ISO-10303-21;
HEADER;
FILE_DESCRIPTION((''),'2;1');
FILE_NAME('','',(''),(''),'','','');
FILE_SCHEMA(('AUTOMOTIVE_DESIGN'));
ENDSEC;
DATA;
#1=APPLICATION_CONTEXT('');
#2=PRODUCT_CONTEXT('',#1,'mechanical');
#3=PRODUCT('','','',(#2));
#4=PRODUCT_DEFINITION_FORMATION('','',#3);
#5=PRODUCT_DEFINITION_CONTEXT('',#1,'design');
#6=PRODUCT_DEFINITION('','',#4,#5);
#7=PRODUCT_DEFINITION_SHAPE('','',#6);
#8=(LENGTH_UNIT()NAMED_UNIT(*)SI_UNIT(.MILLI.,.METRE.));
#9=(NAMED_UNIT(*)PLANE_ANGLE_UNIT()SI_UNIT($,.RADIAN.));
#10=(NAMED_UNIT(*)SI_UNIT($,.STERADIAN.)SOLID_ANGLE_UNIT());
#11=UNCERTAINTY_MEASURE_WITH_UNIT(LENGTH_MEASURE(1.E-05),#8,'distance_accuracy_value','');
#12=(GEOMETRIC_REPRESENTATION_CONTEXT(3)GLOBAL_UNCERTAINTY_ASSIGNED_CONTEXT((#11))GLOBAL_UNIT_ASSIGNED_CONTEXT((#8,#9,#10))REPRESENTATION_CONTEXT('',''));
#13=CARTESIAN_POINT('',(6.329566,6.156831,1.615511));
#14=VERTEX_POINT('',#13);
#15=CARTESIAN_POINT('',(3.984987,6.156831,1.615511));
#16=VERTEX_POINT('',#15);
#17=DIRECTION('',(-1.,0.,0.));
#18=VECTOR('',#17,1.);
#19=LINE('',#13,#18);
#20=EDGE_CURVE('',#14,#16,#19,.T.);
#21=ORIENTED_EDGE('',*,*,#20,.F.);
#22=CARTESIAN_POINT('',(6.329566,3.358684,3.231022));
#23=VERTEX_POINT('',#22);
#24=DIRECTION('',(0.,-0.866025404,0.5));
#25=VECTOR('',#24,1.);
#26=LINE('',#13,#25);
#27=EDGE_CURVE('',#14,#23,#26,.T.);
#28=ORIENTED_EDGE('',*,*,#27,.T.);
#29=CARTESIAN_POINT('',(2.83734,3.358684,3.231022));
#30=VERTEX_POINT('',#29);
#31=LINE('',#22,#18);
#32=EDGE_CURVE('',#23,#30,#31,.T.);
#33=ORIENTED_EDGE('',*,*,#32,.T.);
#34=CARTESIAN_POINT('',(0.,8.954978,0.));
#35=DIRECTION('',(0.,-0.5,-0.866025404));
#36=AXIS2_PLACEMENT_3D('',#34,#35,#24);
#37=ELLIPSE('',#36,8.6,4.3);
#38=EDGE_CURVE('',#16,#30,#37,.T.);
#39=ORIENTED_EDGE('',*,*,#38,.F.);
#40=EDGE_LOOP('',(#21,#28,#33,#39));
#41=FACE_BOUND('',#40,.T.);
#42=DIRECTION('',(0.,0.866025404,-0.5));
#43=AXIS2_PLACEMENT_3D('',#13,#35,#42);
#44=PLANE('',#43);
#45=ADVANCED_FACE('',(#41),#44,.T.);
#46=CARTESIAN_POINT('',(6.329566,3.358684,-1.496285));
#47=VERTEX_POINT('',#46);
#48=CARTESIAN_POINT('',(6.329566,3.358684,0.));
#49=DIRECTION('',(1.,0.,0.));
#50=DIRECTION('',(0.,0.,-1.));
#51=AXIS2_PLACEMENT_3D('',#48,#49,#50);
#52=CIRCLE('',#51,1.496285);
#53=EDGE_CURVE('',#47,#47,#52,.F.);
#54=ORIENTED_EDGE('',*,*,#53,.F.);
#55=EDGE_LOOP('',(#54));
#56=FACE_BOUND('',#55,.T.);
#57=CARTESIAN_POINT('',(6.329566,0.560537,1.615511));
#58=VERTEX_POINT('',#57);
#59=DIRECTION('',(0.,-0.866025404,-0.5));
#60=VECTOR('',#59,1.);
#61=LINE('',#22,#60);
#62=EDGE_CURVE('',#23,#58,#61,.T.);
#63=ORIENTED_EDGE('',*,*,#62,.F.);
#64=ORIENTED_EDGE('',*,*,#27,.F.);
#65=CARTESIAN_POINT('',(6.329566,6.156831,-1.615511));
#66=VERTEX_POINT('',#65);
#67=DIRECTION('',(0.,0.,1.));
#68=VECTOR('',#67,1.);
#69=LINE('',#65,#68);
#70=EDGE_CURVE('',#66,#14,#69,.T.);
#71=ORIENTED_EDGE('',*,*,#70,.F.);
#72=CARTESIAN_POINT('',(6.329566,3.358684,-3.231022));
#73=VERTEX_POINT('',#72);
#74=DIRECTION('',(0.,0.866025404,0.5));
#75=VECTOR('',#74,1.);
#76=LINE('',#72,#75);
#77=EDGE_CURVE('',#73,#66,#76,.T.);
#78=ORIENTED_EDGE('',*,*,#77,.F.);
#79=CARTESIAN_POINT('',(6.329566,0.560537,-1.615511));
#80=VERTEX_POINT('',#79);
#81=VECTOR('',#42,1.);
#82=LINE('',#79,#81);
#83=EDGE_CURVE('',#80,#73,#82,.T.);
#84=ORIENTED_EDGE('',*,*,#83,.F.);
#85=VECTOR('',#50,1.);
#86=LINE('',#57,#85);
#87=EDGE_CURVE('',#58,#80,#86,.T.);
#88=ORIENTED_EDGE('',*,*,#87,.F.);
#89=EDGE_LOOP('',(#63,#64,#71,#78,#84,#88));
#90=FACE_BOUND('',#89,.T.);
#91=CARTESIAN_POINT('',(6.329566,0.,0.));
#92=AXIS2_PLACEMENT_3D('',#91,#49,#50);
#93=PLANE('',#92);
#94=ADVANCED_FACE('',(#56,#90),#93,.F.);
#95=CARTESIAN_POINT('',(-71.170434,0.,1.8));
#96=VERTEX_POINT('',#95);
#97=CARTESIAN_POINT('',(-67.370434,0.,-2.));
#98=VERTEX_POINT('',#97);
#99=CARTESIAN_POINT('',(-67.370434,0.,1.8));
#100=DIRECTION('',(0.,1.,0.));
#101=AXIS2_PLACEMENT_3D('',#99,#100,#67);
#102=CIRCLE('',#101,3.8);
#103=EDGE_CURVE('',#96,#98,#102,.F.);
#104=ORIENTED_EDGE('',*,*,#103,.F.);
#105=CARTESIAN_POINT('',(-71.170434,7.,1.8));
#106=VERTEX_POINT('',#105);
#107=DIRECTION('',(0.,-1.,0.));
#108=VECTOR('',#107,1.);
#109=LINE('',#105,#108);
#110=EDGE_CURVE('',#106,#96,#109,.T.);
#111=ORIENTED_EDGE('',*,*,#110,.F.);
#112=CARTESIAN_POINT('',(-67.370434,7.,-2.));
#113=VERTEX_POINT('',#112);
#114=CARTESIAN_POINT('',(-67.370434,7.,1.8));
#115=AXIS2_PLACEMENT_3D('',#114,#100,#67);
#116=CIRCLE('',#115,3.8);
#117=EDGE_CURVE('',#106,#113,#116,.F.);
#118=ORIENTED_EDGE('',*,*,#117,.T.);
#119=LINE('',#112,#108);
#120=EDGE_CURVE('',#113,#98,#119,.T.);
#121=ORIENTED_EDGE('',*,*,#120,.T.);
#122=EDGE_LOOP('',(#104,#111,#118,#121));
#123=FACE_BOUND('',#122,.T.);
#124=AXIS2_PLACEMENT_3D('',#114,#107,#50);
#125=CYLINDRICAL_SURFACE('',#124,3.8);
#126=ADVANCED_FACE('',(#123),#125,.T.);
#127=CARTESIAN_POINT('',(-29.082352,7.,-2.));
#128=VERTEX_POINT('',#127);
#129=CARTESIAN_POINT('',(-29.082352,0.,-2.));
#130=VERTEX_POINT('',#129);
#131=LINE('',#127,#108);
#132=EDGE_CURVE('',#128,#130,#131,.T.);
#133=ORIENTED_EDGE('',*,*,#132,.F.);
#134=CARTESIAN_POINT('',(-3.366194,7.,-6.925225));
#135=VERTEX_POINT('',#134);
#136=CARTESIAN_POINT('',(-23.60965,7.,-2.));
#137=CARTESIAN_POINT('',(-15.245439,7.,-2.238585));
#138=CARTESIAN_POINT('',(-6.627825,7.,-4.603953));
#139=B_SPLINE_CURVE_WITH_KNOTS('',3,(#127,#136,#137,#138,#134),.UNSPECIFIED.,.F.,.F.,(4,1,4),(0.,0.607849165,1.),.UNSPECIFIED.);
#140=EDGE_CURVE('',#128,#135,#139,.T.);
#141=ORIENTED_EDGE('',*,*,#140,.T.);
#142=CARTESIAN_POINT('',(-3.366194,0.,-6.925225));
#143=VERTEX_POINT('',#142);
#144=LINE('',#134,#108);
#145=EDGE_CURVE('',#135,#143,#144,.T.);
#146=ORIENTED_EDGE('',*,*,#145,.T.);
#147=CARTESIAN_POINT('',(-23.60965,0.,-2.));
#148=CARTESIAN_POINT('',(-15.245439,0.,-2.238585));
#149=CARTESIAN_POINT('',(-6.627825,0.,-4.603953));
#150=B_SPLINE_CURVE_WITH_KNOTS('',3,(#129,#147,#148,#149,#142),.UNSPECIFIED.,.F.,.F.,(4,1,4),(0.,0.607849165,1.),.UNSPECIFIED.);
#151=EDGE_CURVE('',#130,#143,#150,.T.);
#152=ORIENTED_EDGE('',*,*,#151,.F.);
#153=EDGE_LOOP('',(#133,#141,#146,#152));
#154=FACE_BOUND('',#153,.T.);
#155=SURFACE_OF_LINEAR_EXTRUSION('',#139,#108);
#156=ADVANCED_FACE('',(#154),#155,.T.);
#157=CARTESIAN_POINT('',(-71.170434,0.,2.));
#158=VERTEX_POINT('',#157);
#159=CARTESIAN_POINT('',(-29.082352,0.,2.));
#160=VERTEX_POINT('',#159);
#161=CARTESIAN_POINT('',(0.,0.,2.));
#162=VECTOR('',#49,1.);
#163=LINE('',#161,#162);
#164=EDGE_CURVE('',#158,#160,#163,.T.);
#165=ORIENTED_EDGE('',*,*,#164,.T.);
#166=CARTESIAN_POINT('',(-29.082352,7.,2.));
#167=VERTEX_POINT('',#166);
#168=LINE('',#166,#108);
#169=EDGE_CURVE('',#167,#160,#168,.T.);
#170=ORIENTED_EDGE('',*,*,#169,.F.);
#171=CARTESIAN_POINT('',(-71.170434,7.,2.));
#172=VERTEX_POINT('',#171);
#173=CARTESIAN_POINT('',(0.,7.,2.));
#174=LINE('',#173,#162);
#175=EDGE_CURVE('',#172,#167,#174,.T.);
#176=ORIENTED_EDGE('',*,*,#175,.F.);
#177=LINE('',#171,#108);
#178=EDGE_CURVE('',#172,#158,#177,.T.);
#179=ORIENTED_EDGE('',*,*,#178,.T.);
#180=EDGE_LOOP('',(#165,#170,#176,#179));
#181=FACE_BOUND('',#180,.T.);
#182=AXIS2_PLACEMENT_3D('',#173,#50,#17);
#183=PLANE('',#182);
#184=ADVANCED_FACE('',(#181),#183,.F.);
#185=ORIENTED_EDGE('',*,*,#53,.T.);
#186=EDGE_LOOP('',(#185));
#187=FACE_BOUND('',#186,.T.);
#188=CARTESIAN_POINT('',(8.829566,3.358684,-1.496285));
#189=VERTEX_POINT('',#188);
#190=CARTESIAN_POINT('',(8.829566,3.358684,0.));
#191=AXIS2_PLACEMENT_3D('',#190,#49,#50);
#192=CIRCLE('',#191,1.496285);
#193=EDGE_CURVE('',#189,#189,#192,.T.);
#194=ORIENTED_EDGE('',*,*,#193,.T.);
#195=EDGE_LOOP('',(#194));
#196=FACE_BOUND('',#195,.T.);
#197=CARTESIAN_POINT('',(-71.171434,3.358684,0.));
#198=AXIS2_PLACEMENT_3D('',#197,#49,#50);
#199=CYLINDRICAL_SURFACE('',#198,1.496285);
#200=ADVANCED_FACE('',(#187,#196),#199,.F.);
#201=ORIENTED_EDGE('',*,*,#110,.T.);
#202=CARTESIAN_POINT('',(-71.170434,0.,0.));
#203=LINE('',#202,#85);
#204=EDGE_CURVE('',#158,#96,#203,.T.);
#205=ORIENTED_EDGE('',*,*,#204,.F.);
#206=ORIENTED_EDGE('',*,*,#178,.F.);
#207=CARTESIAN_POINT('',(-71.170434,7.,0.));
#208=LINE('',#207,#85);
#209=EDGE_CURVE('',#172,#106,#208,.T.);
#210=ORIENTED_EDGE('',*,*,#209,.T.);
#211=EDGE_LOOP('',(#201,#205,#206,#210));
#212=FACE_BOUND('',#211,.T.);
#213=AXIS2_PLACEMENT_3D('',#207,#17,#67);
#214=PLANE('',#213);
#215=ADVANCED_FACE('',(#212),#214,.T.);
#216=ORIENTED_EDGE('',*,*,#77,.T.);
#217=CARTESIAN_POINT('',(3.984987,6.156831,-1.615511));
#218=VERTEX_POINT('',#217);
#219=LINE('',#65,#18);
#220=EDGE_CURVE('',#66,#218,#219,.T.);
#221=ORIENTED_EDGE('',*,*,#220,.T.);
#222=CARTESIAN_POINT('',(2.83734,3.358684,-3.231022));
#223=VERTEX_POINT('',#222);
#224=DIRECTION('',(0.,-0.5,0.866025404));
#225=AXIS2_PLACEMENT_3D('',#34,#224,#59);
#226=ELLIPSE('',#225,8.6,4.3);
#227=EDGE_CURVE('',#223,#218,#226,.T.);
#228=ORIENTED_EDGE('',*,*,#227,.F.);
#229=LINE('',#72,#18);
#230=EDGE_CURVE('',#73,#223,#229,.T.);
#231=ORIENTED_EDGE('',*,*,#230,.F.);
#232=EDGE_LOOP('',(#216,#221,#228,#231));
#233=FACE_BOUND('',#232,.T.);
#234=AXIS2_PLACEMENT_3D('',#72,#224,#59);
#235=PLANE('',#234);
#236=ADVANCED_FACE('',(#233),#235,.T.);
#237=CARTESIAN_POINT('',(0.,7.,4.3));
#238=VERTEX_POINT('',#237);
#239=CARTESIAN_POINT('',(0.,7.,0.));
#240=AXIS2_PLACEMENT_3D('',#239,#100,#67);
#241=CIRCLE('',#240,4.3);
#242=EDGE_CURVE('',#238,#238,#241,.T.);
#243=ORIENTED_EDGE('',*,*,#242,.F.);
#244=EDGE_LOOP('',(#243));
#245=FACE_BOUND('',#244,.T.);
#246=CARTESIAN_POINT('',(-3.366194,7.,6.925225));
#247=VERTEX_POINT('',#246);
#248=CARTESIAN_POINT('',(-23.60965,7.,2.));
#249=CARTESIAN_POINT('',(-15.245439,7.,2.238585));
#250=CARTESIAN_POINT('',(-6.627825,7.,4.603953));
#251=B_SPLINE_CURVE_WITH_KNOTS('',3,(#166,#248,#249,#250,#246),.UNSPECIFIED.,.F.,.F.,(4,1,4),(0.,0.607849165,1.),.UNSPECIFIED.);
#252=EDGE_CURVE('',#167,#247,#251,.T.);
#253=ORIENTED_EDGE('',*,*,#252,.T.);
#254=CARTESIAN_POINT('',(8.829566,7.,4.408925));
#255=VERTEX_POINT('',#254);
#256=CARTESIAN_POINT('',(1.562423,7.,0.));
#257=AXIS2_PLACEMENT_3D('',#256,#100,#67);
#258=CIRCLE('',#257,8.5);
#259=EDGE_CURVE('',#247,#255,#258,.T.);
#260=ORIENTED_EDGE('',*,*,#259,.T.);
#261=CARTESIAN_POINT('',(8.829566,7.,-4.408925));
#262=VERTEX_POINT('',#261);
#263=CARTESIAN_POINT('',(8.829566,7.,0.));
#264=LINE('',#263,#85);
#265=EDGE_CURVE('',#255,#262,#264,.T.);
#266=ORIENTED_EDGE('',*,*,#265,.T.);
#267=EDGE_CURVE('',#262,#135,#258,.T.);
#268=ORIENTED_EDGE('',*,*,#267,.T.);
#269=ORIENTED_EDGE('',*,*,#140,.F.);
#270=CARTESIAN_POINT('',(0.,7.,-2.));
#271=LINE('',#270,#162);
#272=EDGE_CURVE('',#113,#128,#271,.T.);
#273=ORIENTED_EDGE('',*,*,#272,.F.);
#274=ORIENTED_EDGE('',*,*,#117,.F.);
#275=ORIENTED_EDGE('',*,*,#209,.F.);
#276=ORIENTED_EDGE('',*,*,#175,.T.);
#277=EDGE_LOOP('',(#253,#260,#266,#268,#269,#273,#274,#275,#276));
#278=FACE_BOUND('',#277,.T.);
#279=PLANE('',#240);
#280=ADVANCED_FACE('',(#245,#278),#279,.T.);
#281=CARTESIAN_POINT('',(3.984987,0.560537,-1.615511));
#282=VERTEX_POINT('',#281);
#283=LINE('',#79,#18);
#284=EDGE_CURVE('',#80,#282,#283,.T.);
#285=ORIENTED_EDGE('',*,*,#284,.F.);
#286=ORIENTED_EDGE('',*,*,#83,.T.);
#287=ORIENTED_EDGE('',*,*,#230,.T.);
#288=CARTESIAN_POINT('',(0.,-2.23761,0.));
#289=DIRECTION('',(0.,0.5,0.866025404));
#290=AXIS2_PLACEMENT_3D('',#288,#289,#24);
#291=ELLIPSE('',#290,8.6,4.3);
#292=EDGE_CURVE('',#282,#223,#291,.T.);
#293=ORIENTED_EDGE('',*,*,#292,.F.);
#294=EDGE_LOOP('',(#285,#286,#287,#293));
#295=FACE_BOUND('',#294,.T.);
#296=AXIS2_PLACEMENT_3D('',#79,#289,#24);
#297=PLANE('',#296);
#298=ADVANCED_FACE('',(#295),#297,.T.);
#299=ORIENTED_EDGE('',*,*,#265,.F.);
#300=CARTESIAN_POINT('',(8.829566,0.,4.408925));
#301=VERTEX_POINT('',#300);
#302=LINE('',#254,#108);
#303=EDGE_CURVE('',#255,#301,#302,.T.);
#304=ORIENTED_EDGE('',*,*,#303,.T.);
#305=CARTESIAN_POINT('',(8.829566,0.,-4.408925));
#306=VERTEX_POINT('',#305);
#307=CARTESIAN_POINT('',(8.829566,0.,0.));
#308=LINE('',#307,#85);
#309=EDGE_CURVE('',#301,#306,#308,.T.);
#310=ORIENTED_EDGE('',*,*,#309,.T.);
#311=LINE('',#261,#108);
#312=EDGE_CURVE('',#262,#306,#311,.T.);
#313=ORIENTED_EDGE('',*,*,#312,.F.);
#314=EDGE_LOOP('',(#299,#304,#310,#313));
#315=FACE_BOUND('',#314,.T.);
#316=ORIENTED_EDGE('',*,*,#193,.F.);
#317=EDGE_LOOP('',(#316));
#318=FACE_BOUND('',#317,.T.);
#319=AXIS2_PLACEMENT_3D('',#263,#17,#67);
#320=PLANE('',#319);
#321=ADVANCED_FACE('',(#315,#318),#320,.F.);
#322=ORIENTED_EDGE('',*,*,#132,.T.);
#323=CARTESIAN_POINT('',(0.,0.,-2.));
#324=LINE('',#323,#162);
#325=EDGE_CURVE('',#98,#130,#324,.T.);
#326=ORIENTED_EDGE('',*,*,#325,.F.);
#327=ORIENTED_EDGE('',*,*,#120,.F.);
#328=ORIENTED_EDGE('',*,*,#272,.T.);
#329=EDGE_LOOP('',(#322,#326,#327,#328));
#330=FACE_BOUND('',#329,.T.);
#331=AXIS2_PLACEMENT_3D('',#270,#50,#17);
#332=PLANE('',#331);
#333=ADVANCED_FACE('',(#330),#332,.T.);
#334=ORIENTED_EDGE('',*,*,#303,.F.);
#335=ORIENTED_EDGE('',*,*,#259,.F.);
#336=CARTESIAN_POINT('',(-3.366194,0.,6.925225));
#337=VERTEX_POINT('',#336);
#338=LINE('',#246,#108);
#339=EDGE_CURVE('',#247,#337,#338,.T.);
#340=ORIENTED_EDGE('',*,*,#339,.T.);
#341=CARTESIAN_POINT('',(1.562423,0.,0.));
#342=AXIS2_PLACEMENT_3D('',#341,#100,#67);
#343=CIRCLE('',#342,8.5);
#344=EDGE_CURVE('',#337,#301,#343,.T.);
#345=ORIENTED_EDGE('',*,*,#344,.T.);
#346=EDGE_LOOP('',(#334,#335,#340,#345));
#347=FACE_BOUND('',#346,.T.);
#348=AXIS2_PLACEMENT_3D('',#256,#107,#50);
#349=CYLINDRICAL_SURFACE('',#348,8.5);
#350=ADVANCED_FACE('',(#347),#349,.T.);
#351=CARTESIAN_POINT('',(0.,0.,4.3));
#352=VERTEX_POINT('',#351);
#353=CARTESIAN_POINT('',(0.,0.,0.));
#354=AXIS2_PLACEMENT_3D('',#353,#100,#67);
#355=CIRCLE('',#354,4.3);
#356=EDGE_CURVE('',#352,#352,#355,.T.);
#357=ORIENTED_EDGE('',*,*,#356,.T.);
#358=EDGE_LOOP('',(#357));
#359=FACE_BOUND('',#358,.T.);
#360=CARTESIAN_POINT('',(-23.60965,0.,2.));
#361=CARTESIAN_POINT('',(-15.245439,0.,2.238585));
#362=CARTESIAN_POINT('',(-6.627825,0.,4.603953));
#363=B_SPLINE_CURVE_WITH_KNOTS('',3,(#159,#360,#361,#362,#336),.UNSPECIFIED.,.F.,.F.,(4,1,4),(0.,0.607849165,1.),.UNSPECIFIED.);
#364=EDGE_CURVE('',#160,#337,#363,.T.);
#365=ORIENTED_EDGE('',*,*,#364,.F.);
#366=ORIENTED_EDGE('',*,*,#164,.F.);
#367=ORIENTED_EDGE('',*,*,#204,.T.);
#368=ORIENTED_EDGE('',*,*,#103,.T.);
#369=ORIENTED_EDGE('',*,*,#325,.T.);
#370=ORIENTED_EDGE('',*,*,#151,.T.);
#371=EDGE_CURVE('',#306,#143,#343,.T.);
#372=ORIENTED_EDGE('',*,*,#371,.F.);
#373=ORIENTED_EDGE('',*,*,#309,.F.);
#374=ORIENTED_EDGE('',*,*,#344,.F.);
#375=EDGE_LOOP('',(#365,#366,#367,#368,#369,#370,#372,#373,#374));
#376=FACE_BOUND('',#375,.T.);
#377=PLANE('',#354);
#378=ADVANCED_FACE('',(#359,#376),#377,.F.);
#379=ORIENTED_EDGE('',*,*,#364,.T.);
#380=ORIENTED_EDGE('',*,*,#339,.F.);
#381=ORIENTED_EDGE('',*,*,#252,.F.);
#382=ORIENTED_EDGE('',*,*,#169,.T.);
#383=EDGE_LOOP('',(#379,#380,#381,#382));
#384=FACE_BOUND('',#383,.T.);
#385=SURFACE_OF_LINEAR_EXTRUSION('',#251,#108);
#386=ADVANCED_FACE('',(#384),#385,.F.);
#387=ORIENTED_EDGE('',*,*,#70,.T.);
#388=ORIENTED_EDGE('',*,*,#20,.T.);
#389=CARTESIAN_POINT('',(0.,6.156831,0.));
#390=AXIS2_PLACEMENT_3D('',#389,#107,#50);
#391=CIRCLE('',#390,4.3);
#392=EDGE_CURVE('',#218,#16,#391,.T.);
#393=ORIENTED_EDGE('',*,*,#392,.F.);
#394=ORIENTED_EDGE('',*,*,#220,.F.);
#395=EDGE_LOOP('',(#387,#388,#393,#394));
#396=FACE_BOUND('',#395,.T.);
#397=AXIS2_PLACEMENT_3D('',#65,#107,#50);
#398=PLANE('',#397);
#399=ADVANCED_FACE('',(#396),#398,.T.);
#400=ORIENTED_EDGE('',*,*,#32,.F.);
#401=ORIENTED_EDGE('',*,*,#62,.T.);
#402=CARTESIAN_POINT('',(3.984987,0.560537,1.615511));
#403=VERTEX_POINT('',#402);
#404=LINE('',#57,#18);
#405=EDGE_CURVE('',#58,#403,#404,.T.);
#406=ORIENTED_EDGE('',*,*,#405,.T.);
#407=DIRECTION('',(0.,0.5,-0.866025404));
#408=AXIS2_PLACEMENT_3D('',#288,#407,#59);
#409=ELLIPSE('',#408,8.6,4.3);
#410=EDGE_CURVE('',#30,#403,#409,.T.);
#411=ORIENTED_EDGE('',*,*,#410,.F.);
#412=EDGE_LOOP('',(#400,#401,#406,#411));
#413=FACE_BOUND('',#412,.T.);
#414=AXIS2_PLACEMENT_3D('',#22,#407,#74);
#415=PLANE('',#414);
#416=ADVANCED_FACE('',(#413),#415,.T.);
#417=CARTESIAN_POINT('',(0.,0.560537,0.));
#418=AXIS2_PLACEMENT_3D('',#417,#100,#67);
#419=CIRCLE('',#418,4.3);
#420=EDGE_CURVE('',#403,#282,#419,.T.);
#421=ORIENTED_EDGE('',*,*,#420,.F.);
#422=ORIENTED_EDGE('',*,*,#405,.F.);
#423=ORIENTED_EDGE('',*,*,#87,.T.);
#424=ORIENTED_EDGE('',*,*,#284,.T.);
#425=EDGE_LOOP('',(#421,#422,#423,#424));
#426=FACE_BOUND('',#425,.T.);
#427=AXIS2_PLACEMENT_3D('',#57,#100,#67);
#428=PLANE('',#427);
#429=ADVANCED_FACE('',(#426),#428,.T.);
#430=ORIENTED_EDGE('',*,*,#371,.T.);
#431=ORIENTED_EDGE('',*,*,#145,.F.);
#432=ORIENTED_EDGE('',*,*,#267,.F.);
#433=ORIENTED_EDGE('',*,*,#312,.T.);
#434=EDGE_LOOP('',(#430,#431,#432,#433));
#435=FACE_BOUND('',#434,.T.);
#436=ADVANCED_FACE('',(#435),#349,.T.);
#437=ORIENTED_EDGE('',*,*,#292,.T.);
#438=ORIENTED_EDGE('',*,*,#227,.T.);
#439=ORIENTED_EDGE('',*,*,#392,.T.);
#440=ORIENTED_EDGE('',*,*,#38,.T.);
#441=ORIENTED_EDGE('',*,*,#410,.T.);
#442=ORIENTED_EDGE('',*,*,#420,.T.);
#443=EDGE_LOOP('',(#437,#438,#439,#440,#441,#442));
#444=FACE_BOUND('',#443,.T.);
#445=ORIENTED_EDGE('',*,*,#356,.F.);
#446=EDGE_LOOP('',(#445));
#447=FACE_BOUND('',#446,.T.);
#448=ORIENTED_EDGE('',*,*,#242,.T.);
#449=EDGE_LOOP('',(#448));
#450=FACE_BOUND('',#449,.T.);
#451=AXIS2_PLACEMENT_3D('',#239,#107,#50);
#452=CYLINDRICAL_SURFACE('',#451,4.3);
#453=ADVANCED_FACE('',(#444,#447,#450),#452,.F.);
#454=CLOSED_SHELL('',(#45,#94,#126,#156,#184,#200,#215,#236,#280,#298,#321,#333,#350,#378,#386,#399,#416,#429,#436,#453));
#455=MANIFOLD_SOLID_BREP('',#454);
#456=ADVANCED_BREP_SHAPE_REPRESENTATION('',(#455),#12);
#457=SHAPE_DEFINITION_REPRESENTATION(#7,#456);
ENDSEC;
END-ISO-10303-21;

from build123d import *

# Parameters (mm, degrees)
SKETCH1_R               = 4.3
BOSS_EXTRUDE1_DEPTH     = 7
CUT_EXTRUDE1_REACH      = 82.754
CUT_EXTRUDE1_END_RADIUS = 4.3
SKETCH2_R               = 1.496285127
CUT_EXTRUDE3_START      = -7
CUT_EXTRUDE3_DEPTH      = 4.5


with BuildPart() as part:
    # Sketch1 → Boss-Extrude1 (new body)
    with BuildSketch(Plane(origin=(0, 0, 0), x_dir=(1, 0, 0), z_dir=(0, 1, 0))):
        with BuildLine():
            Line((-71.170433536, -2), (-29.082351877, -2))
            add(Edge.make_bspline(
                [(-29.082351877, -2), (-23.609649847, -2), (-15.245438708, -2.238584536), (-6.627824546, -4.603953255), (-3.36619416, -6.925224681)],
                knots=[0, 0, 0, 0, 0.607849165, 1, 1, 1, 1], degree=3))
            ThreePointArc((-3.36619416, -6.925224681), (3.28001342, -8.324655054), (8.829566464, -4.408925038))
            Line((8.829566464, -4.408925038), (8.829566464, 4.408925038))
            ThreePointArc((8.829566464, 4.408925038), (3.28001342, 8.324655054), (-3.36619416, 6.925224681))
            add(Edge.make_bspline(
                [(-29.082351877, 2), (-23.609649847, 2), (-15.245438708, 2.238584536), (-6.627824546, 4.603953255), (-3.36619416, 6.925224681)],
                knots=[0, 0, 0, 0, 0.607849165, 1, 1, 1, 1], degree=3))
            Line((-29.082351877, 2), (-67.370433536, 2))
            ThreePointArc((-67.370433536, 2), (-70.057439304, 0.887005769), (-71.170433536, -1.8))
            Line((-71.170433536, -1.8), (-71.170433536, -2))
        make_face()
        with Locations(Location((0, 0, 0), (0, 0, 270))):
            Circle(SKETCH1_R, mode=Mode.SUBTRACT)
    extrude(amount=BOSS_EXTRUDE1_DEPTH)

    # Cut-Extrude1: up to this cylinder (the profile starts outside it)
    cut_extrude1_end = Plane(origin=(0, 3.358684, 0), z_dir=(0, -1, 0)) * Cylinder(CUT_EXTRUDE1_END_RADIUS, 175.108, mode=Mode.PRIVATE)
    # Sketch2 → Cut-Extrude1 (cut, up to the surface)
    with BuildSketch(Plane(origin=(8.829566464, 0, 0), x_dir=(0, 0, -1), z_dir=(1, 0, 0)), mode=Mode.PRIVATE) as cut_extrude1_sk1:
        with Locations((0, 3.358684182)):
            Circle(SKETCH2_R)
    cut_extrude1_tool1 = extrude(cut_extrude1_sk1.sketch, amount=-CUT_EXTRUDE1_REACH, mode=Mode.PRIVATE) - cut_extrude1_end
    add(cut_extrude1_tool1.solids().sort_by_distance((8.829566, 3.358684, 0))[0], mode=Mode.SUBTRACT)

    # Sketch3 → Cut-Extrude3 (cut)
    with BuildSketch(Plane(origin=(8.829566464, 0, 0), x_dir=(0, 0, -1), z_dir=(1, 0, 0)).offset(CUT_EXTRUDE3_START)):
        Polygon((-1.615510912, 0.560537202), (1.615510912, 0.560537202), (3.231021825, 3.358684182), (1.615510912, 6.156831163), (-1.615510912, 6.156831163), (-3.231021825, 3.358684182), align=None)
    extrude(amount=CUT_EXTRUDE3_DEPTH, mode=Mode.SUBTRACT)


solid = part.part
